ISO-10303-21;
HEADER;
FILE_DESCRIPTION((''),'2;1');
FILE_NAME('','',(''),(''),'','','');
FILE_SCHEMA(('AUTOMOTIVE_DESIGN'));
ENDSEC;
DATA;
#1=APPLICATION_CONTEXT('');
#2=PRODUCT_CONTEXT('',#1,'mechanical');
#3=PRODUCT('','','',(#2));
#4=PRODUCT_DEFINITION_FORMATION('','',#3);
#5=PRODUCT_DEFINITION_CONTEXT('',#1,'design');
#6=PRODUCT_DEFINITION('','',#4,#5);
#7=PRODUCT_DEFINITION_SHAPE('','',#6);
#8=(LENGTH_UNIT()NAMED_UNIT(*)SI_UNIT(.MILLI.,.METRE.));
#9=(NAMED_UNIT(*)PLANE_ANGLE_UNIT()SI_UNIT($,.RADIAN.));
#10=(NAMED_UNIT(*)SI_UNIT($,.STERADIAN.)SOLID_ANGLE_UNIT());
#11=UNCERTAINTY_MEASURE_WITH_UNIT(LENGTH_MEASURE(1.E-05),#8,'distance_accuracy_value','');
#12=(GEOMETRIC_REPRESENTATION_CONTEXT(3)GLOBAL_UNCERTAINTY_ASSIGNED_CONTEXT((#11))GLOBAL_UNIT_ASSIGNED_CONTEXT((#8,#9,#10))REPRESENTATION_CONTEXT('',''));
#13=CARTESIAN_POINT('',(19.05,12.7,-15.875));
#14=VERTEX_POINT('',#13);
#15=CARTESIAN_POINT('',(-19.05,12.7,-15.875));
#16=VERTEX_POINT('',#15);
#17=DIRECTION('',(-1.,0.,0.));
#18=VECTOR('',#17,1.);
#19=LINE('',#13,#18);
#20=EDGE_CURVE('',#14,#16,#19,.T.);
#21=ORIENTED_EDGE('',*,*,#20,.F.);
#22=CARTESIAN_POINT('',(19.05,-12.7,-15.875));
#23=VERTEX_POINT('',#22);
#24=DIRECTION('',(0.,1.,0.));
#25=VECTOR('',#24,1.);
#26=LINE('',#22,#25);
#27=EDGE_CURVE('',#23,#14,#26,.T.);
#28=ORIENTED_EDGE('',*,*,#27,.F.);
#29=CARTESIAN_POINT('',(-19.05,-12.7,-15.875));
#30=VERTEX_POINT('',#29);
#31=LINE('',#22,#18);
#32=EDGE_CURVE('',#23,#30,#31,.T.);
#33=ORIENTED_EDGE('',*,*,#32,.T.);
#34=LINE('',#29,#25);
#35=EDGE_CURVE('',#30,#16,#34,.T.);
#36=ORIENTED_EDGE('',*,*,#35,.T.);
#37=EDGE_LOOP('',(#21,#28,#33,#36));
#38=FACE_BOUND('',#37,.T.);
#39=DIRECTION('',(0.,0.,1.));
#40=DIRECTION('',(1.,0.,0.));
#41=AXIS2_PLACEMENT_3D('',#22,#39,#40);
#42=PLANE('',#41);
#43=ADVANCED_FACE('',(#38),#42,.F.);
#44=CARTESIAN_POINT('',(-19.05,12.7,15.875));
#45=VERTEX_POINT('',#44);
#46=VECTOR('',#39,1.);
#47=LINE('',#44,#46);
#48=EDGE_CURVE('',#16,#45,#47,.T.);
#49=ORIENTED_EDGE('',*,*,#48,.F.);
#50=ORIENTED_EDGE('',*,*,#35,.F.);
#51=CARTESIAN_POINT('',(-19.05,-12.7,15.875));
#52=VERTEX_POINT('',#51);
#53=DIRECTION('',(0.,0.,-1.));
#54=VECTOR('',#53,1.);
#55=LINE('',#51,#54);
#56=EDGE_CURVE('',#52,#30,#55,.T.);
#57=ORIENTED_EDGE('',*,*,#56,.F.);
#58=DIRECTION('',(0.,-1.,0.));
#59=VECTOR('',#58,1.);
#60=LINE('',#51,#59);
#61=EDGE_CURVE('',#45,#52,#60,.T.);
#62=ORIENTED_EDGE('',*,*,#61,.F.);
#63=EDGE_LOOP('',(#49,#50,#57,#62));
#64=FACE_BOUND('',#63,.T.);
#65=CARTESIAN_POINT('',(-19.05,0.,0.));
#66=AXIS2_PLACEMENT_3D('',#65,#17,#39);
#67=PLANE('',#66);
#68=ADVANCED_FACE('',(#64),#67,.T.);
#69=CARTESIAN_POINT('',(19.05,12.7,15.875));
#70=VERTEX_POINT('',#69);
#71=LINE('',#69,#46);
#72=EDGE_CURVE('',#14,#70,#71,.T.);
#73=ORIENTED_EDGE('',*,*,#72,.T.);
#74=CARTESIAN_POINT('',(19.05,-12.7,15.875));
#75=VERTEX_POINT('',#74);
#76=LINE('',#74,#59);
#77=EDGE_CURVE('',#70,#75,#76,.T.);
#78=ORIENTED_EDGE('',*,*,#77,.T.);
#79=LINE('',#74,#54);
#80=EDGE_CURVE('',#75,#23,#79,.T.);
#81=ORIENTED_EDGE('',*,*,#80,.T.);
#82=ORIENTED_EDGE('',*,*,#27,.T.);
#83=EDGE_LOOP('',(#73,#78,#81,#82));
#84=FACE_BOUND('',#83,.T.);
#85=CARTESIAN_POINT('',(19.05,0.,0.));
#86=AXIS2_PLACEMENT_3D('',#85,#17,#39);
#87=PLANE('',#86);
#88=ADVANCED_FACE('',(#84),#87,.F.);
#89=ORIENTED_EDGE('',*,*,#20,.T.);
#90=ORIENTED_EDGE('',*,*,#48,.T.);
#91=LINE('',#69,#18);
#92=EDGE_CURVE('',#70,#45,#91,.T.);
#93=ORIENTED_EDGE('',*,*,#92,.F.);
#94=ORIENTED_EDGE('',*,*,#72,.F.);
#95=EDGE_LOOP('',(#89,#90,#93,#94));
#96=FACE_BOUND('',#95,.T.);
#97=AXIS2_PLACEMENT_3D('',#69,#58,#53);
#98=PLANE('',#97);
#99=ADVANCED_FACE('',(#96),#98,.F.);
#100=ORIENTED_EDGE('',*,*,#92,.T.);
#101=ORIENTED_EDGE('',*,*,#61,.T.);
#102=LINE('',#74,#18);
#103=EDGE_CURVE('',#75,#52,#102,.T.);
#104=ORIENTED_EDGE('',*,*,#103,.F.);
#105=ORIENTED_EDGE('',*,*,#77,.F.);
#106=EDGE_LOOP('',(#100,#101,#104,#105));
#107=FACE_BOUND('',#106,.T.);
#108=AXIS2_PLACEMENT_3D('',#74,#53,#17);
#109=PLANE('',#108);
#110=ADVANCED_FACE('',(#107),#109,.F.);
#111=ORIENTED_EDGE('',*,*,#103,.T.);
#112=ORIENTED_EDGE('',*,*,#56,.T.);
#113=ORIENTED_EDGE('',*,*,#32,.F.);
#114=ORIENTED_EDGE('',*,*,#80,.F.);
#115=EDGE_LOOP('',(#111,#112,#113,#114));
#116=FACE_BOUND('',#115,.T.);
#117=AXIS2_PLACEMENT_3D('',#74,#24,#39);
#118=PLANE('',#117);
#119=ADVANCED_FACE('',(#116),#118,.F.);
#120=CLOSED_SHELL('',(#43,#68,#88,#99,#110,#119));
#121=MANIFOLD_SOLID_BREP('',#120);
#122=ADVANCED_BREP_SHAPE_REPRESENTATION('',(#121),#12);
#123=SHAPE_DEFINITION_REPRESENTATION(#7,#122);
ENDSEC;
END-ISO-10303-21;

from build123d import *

# Parameters (mm, degrees)
SKETCH40_W          = 31.75
SKETCH40_H          = 25.4
BOSS_EXTRUDE8_DEPTH = 19.05


with BuildPart() as part:
    # Sketch40 → Boss-Extrude8 (new body, symmetric)
    with BuildSketch(Plane(origin=(0, 0, 0), x_dir=(0, 0, -1), z_dir=(1, 0, 0))):
        Rectangle(SKETCH40_W, SKETCH40_H)
    extrude(amount=BOSS_EXTRUDE8_DEPTH, both=True)


solid = part.part
